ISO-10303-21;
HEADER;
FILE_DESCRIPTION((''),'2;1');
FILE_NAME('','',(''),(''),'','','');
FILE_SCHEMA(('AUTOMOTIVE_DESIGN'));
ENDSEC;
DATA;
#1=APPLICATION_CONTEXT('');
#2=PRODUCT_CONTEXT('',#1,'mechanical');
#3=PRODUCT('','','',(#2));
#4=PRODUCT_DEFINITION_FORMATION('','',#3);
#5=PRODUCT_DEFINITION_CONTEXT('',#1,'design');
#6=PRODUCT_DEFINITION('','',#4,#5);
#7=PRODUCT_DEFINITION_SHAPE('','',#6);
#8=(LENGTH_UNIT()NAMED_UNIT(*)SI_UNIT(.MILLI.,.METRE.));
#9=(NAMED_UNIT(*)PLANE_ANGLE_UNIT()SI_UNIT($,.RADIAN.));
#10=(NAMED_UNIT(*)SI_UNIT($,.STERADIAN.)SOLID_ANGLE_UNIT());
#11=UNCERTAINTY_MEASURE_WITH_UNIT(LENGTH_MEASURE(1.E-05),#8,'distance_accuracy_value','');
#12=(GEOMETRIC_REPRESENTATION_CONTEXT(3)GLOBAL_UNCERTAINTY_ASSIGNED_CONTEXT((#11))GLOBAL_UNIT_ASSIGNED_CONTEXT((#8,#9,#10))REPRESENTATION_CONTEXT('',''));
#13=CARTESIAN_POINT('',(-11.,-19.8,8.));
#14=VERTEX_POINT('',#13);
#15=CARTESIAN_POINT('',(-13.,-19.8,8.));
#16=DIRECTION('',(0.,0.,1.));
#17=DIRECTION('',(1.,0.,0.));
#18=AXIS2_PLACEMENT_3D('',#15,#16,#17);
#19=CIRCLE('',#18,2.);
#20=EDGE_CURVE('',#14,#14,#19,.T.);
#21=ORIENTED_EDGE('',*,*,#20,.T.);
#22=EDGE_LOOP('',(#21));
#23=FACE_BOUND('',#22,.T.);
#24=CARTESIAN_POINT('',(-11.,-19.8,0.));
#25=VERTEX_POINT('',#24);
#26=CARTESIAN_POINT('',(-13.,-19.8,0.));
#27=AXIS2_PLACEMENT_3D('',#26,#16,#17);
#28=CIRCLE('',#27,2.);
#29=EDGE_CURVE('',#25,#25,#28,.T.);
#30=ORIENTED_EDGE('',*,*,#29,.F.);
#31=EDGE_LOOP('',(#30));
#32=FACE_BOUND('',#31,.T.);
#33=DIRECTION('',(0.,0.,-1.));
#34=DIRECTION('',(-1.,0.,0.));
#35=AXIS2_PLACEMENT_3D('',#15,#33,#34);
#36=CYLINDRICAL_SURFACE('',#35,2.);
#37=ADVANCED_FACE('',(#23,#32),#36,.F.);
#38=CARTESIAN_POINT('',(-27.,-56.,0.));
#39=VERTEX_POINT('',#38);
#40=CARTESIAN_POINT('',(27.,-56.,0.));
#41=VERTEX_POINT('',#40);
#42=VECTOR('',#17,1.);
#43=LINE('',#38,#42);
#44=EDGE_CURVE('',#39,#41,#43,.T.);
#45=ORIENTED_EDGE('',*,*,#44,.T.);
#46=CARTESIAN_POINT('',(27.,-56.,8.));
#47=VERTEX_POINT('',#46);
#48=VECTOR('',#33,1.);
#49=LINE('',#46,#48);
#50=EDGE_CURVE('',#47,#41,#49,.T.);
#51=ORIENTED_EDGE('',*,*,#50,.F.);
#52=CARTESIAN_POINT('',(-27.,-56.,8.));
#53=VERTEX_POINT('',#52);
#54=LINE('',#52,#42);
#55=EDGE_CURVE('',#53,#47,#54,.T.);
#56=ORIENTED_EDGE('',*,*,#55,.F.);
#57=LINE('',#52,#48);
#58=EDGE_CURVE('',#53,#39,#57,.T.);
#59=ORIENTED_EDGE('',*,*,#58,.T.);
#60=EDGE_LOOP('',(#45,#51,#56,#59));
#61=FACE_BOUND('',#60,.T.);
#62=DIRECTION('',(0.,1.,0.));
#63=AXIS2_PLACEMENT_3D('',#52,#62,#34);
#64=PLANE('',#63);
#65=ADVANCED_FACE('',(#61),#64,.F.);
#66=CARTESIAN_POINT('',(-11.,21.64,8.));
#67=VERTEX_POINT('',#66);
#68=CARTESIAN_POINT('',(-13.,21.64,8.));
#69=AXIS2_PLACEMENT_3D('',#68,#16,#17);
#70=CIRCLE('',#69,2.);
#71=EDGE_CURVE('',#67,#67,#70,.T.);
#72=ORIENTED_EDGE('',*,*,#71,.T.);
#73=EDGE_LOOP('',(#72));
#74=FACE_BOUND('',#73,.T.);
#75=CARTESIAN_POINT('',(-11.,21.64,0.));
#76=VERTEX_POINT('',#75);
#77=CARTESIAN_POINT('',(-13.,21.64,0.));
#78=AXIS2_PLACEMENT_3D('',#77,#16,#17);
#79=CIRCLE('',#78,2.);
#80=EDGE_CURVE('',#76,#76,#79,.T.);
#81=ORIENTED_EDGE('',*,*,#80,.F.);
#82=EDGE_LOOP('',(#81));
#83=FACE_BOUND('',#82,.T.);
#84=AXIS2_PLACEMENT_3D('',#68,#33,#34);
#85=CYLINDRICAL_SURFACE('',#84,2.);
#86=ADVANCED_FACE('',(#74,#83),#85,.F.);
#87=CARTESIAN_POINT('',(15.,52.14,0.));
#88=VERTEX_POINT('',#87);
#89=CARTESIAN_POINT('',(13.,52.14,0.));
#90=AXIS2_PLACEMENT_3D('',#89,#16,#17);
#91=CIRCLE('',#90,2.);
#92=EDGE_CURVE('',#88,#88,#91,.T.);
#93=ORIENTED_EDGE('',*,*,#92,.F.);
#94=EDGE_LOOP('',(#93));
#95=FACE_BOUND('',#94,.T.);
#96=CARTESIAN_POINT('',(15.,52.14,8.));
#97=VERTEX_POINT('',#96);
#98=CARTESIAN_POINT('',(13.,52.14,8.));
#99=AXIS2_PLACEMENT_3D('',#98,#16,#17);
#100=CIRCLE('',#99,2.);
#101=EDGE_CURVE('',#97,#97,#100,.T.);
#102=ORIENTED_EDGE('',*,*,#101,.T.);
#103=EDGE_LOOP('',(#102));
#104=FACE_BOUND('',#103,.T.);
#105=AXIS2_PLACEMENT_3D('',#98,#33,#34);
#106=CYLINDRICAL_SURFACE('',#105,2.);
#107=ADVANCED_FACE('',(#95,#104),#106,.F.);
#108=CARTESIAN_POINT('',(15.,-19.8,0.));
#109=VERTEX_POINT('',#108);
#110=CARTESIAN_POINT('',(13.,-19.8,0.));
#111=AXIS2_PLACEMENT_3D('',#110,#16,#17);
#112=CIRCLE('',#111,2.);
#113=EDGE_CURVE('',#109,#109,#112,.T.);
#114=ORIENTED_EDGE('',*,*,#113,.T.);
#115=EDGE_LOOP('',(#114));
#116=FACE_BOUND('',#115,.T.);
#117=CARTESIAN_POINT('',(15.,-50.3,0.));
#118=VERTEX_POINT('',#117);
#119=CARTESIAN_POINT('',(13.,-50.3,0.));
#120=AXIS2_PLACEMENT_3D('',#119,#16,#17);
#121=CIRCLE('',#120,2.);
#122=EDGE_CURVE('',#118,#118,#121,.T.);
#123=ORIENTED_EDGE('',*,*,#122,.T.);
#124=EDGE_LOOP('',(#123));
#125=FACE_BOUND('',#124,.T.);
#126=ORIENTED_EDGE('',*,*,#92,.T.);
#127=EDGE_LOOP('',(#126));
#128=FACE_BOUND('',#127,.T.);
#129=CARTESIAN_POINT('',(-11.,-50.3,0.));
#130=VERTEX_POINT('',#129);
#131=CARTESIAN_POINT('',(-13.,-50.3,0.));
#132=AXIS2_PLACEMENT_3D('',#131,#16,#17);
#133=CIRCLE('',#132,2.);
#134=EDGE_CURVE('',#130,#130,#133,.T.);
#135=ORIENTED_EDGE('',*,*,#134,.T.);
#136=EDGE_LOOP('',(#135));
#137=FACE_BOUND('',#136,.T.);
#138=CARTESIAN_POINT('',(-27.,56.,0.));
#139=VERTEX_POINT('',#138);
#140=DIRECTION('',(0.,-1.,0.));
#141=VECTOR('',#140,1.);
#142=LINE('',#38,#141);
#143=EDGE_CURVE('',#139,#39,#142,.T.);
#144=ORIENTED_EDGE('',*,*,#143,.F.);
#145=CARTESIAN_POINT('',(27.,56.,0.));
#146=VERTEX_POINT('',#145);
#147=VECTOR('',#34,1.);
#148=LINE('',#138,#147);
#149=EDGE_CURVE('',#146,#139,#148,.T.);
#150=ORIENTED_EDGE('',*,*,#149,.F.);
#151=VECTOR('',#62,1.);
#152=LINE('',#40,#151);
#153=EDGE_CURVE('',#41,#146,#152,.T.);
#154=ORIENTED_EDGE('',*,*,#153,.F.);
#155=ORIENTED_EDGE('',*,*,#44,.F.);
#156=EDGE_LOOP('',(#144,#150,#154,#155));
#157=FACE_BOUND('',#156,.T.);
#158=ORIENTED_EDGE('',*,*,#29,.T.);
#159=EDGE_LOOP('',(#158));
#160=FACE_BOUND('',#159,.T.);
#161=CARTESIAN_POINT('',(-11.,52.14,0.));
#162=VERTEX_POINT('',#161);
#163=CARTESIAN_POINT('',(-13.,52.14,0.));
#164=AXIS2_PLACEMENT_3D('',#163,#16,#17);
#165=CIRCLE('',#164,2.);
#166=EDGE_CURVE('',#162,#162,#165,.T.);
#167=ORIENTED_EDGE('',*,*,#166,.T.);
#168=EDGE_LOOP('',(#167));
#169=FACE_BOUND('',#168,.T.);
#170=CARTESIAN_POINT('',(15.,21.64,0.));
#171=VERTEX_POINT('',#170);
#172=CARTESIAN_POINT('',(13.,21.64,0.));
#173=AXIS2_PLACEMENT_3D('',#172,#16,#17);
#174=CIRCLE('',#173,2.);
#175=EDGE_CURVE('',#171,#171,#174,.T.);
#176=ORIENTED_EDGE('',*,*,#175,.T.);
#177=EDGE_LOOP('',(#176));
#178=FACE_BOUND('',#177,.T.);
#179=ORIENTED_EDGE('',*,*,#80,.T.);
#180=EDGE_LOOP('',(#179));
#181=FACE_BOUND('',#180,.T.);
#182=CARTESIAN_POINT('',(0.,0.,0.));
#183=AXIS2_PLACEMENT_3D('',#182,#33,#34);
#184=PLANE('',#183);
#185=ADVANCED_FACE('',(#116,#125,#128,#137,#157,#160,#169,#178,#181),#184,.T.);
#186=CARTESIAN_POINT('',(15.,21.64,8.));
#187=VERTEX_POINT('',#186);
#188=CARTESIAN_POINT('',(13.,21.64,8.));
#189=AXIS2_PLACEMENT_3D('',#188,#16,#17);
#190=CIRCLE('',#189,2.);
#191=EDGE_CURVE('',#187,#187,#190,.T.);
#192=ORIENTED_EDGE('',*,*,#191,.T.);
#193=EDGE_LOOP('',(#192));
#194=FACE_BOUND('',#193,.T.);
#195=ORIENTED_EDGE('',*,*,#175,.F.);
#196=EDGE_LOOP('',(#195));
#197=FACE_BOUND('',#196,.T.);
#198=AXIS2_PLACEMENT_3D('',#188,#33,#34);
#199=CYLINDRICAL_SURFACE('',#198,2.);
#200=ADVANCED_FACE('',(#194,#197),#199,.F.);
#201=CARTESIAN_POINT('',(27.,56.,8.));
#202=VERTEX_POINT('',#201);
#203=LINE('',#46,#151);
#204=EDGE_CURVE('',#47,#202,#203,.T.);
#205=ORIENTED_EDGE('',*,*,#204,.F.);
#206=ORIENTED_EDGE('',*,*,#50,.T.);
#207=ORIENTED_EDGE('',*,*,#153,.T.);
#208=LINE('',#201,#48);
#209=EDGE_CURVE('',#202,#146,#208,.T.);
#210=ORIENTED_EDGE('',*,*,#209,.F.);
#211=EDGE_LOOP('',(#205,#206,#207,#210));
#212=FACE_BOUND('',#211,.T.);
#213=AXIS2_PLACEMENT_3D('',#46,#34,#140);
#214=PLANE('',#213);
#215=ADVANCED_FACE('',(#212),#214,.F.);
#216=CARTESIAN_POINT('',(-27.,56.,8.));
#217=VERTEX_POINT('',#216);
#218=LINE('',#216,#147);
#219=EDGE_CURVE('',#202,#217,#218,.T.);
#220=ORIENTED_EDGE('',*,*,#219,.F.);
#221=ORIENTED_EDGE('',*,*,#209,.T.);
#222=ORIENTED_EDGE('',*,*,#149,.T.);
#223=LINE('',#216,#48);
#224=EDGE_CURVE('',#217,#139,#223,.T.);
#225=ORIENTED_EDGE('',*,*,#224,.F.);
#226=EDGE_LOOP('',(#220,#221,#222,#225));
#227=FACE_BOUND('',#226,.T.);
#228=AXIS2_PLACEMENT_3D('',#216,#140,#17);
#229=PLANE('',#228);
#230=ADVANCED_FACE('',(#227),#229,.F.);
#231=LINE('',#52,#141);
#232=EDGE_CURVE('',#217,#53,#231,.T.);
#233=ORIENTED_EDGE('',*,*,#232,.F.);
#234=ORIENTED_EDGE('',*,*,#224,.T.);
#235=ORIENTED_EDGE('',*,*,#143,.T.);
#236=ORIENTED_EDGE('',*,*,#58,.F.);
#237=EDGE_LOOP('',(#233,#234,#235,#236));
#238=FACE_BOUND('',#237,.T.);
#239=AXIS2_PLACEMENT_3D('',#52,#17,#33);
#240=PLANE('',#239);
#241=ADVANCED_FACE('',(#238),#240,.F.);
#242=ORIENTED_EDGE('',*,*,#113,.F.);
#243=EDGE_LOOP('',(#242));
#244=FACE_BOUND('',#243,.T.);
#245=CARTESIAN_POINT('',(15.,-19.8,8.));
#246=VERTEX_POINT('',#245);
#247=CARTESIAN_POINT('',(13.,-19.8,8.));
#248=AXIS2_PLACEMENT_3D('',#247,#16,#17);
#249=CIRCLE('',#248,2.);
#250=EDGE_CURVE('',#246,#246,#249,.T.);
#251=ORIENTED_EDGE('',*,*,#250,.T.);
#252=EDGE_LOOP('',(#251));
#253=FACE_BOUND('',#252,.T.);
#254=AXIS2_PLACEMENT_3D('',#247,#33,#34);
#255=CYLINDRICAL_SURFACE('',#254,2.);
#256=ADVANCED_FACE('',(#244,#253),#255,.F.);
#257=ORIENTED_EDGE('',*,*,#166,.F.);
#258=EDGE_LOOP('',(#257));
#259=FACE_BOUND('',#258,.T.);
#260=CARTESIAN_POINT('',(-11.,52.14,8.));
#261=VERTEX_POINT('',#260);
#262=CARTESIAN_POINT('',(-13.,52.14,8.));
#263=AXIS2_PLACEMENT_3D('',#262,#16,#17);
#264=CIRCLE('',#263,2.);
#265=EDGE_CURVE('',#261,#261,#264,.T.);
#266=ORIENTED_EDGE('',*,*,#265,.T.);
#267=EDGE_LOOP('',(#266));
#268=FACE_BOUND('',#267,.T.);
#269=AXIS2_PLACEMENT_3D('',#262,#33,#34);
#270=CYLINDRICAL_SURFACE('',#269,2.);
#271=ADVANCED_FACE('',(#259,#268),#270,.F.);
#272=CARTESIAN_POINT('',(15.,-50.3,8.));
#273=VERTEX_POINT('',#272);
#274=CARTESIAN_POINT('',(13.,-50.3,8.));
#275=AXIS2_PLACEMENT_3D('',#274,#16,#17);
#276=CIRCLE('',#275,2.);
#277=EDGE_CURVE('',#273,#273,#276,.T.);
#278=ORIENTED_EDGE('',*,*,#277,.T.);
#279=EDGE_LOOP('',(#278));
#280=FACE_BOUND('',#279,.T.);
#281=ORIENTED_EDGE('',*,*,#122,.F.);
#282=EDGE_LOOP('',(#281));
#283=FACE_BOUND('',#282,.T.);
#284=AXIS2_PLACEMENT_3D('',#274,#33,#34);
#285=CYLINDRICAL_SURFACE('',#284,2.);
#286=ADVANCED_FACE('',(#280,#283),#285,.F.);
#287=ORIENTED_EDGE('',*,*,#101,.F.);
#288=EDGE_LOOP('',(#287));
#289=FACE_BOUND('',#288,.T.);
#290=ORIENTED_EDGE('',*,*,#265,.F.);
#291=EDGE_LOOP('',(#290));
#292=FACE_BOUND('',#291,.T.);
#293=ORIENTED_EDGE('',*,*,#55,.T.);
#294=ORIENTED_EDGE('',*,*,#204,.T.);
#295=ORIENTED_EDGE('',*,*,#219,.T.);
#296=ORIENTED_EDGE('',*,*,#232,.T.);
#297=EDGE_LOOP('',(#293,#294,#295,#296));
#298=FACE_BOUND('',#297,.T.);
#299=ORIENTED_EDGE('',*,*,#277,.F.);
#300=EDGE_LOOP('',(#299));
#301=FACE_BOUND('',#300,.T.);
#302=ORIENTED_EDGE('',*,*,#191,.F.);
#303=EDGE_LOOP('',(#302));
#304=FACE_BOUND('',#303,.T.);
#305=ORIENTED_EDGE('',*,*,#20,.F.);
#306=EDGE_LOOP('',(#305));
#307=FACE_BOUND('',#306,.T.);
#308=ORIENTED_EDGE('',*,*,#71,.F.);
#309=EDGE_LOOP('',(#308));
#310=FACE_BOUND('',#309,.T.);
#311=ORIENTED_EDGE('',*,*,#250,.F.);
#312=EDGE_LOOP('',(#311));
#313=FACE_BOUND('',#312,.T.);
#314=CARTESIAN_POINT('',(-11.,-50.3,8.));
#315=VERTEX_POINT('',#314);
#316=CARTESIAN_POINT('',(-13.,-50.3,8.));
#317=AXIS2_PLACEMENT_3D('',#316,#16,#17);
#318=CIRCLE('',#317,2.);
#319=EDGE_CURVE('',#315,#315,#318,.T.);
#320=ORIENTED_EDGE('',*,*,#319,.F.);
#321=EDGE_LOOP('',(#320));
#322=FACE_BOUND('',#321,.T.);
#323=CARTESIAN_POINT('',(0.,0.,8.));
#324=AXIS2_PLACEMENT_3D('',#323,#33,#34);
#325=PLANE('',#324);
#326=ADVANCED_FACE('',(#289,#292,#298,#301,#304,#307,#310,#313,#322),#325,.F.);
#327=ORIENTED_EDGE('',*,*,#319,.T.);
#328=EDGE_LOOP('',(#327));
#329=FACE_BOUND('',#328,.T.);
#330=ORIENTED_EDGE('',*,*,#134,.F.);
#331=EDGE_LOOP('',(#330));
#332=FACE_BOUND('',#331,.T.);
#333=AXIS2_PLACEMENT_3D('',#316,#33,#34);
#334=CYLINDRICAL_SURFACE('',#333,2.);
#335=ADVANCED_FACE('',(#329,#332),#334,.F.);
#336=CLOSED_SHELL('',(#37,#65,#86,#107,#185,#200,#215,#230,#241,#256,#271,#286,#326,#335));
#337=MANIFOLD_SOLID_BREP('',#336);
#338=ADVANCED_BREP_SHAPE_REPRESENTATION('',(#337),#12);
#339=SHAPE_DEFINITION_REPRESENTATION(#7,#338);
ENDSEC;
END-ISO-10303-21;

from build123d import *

# Parameters (mm, degrees)
SKETCH1_W           = 54
SKETCH1_H           = 112
SKETCH1_R           = 2
BOSS_EXTRUDE1_DEPTH = 8


with BuildPart() as part:
    # Sketch1 → Boss-Extrude1 (new body)
    with BuildSketch(Plane.XY):
        Rectangle(SKETCH1_W, SKETCH1_H)
        with Locations((-13, 52.14)):
            Circle(SKETCH1_R, mode=Mode.SUBTRACT)
        with Locations((13, 52.14)):
            Circle(SKETCH1_R, mode=Mode.SUBTRACT)
        with Locations((13, 21.64)):
            Circle(SKETCH1_R, mode=Mode.SUBTRACT)
        with Locations((-13, 21.64)):
            Circle(SKETCH1_R, mode=Mode.SUBTRACT)
        with Locations((13, -19.8)):
            Circle(SKETCH1_R, mode=Mode.SUBTRACT)
        with Locations((-13, -19.8)):
            Circle(SKETCH1_R, mode=Mode.SUBTRACT)
        with Locations((-13, -50.3)):
            Circle(SKETCH1_R, mode=Mode.SUBTRACT)
        with Locations((13, -50.3)):
            Circle(SKETCH1_R, mode=Mode.SUBTRACT)
    extrude(amount=BOSS_EXTRUDE1_DEPTH)


solid = part.part
